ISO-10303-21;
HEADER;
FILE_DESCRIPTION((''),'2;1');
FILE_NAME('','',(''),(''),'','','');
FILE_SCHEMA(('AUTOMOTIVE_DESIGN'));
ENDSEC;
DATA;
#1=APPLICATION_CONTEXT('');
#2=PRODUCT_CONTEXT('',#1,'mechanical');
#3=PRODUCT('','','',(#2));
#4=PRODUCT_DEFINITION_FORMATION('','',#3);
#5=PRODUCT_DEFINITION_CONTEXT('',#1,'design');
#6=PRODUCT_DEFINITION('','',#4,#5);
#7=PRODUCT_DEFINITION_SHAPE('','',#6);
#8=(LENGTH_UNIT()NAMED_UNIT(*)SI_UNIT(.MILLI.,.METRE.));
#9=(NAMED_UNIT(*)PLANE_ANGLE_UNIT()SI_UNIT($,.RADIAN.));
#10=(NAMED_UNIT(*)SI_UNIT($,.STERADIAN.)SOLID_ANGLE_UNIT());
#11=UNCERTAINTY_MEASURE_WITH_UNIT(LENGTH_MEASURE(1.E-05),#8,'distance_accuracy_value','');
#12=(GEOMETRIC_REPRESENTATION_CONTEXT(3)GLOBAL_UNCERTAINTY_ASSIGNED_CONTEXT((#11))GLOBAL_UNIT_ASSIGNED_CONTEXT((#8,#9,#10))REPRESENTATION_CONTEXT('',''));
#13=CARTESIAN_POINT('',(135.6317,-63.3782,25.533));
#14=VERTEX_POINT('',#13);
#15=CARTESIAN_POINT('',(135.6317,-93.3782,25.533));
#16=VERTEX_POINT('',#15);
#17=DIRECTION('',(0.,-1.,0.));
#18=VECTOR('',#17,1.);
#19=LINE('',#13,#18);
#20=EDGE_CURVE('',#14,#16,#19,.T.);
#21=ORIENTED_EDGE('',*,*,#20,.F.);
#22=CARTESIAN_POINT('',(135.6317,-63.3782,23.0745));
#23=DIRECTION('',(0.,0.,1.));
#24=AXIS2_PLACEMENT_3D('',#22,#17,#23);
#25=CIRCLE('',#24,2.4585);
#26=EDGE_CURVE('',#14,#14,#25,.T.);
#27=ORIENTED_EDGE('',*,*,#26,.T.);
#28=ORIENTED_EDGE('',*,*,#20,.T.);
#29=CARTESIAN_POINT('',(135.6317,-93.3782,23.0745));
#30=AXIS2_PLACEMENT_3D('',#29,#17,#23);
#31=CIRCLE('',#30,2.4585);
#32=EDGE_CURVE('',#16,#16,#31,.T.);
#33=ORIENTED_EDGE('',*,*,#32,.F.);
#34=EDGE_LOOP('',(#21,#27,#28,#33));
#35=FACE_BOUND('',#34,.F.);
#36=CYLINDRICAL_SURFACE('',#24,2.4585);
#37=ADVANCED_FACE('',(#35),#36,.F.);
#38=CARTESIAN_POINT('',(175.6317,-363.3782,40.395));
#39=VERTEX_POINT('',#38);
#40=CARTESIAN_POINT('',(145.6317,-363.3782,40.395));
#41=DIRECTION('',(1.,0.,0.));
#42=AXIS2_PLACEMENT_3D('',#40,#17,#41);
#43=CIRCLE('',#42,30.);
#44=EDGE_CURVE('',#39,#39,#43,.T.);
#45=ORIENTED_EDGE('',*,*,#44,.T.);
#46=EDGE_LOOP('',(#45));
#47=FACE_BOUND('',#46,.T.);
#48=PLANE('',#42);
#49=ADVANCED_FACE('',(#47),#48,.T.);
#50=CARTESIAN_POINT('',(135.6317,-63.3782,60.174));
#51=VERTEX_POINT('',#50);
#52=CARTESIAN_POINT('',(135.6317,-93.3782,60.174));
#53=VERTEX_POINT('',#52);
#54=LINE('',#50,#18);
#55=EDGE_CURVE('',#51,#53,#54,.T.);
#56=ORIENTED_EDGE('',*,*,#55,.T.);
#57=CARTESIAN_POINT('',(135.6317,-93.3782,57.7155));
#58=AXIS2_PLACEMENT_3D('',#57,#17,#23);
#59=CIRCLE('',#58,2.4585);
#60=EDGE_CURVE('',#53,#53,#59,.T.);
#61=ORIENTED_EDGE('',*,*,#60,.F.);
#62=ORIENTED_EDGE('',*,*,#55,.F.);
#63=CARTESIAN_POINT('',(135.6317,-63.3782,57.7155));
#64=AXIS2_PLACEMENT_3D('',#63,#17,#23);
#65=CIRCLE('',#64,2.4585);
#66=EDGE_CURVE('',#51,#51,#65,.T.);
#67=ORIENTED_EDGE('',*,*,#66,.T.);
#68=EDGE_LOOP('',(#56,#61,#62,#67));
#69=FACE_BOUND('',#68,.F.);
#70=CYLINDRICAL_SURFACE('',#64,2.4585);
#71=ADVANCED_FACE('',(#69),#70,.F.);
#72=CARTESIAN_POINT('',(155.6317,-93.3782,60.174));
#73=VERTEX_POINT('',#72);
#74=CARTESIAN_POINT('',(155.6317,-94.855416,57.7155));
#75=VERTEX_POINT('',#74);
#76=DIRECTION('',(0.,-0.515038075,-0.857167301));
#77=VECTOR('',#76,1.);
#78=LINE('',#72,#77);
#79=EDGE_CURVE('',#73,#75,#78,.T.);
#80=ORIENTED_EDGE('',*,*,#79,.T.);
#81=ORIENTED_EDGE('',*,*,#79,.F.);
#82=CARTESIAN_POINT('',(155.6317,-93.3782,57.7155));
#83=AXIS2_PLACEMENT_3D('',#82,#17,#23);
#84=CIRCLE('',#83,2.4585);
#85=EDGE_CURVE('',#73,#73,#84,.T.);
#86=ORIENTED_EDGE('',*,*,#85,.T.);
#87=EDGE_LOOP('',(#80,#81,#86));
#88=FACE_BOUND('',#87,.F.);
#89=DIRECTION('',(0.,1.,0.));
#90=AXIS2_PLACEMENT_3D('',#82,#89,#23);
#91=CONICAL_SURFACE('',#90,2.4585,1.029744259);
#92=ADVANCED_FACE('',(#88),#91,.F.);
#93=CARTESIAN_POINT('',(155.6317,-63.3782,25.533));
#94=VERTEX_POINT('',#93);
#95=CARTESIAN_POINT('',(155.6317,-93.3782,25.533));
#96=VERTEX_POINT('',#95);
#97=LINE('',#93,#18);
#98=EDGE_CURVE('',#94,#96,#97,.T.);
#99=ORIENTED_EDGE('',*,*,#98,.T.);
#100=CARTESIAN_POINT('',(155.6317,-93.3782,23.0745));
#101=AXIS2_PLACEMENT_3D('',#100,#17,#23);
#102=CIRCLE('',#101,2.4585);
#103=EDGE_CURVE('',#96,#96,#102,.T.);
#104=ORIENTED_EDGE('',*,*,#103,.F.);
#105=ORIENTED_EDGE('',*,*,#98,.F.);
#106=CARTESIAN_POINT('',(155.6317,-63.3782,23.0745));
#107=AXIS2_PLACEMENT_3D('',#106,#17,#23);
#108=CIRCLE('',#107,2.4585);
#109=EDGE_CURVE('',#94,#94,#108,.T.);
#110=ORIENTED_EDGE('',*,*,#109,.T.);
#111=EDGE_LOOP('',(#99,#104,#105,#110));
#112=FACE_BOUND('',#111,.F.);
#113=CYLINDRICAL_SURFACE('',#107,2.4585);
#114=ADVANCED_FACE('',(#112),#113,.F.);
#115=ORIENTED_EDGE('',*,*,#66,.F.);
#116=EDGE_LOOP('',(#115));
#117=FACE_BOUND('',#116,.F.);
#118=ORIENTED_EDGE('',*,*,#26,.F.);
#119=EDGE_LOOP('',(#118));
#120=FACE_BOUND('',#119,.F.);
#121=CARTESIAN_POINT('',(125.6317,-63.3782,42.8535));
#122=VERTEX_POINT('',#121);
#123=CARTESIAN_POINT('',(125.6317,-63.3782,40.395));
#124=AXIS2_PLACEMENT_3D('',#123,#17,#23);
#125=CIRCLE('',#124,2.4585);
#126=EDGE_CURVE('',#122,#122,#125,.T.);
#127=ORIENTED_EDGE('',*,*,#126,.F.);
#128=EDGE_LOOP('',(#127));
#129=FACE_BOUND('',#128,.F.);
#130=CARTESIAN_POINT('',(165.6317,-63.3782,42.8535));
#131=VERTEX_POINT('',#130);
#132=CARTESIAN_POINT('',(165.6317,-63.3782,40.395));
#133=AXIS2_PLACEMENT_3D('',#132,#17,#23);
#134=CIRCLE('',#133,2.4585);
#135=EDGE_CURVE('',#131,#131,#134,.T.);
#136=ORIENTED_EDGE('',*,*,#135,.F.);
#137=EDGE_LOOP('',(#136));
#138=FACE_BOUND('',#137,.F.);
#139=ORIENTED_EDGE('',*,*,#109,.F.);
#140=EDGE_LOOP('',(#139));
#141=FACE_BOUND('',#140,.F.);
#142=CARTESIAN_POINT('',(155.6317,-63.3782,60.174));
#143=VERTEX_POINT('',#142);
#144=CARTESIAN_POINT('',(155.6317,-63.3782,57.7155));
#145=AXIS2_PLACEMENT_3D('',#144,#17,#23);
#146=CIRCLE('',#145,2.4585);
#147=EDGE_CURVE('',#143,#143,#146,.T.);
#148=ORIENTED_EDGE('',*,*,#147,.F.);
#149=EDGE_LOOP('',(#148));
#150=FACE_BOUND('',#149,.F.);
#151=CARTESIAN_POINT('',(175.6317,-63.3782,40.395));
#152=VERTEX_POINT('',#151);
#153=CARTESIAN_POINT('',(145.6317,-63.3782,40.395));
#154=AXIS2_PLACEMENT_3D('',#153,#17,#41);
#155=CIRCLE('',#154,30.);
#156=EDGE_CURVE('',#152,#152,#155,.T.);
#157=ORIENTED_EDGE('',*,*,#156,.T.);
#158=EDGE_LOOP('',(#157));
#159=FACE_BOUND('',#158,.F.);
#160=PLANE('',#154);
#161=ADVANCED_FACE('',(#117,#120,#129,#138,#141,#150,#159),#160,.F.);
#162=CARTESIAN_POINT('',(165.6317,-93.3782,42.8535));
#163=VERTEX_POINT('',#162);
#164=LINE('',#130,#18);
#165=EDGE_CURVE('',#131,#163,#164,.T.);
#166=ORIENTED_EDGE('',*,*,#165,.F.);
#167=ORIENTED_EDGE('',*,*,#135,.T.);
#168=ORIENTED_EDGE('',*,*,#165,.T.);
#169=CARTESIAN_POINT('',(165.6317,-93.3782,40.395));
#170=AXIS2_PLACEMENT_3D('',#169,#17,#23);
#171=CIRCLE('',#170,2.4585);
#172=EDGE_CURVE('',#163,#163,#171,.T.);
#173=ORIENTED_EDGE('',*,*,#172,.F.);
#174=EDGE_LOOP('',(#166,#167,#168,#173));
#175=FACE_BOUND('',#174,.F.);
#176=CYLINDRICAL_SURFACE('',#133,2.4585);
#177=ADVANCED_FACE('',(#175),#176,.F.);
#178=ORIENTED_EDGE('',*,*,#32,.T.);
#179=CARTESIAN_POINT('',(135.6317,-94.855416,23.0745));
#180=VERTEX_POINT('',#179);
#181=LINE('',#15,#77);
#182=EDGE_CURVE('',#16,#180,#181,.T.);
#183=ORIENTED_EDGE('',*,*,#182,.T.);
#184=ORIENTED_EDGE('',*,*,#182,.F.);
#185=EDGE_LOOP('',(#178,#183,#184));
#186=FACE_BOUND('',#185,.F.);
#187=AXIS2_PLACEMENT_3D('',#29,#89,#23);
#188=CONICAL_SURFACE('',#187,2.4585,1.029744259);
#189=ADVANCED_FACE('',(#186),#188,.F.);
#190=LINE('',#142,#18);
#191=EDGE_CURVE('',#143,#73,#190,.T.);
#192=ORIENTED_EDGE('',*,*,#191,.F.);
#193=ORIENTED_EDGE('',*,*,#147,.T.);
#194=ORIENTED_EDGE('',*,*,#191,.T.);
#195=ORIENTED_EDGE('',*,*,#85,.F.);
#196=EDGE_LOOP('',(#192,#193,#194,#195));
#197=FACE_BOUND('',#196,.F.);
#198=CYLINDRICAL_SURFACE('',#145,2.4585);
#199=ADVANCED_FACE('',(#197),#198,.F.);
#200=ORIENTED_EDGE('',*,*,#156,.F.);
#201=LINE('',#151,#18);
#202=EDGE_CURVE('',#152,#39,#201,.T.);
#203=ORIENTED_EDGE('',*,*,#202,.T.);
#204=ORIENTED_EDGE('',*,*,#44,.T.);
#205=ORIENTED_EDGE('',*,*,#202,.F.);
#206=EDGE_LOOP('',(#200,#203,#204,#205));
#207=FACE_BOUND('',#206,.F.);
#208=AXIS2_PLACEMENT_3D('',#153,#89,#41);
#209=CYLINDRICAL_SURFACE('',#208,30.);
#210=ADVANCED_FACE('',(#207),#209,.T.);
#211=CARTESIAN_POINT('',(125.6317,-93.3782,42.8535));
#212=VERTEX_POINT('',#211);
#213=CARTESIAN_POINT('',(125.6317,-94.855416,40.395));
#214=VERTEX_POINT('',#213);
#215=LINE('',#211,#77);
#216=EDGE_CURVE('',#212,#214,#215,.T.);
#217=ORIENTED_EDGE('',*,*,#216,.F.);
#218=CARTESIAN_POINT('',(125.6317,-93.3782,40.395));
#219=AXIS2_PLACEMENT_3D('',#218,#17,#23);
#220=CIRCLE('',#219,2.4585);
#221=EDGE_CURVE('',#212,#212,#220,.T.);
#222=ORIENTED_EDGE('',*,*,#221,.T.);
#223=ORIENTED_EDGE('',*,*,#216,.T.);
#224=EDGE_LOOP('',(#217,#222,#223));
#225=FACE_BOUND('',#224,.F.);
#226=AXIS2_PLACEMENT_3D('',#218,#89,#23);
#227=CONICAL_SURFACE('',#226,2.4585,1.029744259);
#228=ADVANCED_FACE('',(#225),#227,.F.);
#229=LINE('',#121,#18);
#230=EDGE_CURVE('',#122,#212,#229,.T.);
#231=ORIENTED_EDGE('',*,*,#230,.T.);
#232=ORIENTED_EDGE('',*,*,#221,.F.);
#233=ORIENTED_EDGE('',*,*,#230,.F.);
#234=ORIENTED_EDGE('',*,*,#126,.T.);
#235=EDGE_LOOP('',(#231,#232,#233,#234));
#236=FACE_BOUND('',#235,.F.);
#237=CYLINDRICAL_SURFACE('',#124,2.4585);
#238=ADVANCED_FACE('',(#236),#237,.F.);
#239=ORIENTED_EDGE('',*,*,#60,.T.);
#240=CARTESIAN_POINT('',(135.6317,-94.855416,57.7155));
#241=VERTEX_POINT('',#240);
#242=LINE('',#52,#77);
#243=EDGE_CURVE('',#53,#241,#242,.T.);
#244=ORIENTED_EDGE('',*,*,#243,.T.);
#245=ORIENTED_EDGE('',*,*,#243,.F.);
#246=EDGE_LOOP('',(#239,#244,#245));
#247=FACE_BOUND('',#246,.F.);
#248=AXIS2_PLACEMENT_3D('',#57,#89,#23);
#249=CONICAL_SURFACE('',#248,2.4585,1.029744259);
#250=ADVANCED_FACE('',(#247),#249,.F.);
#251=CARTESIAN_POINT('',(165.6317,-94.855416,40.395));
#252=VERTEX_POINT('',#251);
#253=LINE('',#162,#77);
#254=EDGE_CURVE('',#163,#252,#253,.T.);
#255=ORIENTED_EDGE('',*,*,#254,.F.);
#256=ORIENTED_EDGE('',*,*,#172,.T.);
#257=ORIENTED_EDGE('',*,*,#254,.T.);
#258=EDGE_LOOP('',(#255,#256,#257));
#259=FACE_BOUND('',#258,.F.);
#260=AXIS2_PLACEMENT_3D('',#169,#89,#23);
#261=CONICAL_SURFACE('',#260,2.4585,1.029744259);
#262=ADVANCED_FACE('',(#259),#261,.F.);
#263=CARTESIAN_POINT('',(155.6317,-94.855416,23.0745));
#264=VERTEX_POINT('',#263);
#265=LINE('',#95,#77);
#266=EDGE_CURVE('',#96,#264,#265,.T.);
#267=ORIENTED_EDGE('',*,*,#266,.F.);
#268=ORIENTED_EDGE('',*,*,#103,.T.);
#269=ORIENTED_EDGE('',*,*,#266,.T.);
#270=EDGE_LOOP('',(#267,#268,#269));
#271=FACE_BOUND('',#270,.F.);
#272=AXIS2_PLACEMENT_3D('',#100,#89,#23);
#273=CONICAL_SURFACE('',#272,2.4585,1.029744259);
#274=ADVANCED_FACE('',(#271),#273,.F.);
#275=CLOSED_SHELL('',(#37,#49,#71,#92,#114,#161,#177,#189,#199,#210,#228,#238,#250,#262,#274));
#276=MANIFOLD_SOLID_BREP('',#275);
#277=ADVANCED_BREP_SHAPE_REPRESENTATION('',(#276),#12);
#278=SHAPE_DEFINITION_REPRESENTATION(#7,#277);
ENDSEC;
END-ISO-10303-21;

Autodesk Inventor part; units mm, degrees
ref_plane "YZ Plane" through (0, 0, 0) normal (1, 0, 0) x (0, 1, 0)
ref_plane "XZ Plane" through (0, 0, 0) normal (0, 1, 0) x (-1, 0, 0)
ref_plane "XY Plane" through (0, 0, 0) normal (0, 0, 1) x (1, 0, 0)
ref_plane "Work Plane1" through (145.6317, -63.3782, 40.395) normal (0, -1, 0) x (1, 0, 0)
sketch "Sketch1" plane through (145.6317, -63.3782, 40.395) normal (0, -1, 0) x (1, 0, 0)
  circle A0 centre (0, 0) radius 60 projected
  circle A1 centre (0, 0) radius 30
  point P0 (-145.6317, -40.395)
  dimension "d0" = 60
extrude "Extrusion1" add sketch "Sketch1" along normal blind 300 contours A1
sketch "Sketch2" plane through (145.6317, -63.3782, 40.395) normal (0, 1, 0) x (1, 0, 0)
  circle A0 centre (-20, 0) radius 3.3 projected
  circle A1 centre (-10, 17.3205) radius 3.3 projected
  circle A2 centre (10, 17.3205) radius 5.5 projected
  circle A3 centre (10, 17.3205) radius 3.3 projected
  circle A4 centre (20, 0) radius 3.3 projected
  circle A5 centre (10, -17.3205) radius 3.3 projected
  circle A6 centre (-10, -17.3205) radius 3.3 projected
  point P0 (-145.6317, 40.395)
hole "Hole1" at (135.6317, -63.3782, 23.0745) at (155.6317, -63.3782, 23.0745) at (165.6317, -63.3782, 40.395) at (155.6317, -63.3782, 57.7155) at (135.6317, -63.3782, 57.7155) at (125.6317, -63.3782, 40.395) direction (0, -1, 0) diameter 4.917 depth 30 tip angle 118 thread size "M6x1" class "6H" standard "ISO Metric profile"
sketch "Sketch3" plane through (145.6317, -63.3782, 40.395) normal (0, 1, 0) x (1, 0, 0)
  point P0 (-145.6317, 40.395)
  point P1 (0, 0)
properties part number "base_stange" material "Copper"
